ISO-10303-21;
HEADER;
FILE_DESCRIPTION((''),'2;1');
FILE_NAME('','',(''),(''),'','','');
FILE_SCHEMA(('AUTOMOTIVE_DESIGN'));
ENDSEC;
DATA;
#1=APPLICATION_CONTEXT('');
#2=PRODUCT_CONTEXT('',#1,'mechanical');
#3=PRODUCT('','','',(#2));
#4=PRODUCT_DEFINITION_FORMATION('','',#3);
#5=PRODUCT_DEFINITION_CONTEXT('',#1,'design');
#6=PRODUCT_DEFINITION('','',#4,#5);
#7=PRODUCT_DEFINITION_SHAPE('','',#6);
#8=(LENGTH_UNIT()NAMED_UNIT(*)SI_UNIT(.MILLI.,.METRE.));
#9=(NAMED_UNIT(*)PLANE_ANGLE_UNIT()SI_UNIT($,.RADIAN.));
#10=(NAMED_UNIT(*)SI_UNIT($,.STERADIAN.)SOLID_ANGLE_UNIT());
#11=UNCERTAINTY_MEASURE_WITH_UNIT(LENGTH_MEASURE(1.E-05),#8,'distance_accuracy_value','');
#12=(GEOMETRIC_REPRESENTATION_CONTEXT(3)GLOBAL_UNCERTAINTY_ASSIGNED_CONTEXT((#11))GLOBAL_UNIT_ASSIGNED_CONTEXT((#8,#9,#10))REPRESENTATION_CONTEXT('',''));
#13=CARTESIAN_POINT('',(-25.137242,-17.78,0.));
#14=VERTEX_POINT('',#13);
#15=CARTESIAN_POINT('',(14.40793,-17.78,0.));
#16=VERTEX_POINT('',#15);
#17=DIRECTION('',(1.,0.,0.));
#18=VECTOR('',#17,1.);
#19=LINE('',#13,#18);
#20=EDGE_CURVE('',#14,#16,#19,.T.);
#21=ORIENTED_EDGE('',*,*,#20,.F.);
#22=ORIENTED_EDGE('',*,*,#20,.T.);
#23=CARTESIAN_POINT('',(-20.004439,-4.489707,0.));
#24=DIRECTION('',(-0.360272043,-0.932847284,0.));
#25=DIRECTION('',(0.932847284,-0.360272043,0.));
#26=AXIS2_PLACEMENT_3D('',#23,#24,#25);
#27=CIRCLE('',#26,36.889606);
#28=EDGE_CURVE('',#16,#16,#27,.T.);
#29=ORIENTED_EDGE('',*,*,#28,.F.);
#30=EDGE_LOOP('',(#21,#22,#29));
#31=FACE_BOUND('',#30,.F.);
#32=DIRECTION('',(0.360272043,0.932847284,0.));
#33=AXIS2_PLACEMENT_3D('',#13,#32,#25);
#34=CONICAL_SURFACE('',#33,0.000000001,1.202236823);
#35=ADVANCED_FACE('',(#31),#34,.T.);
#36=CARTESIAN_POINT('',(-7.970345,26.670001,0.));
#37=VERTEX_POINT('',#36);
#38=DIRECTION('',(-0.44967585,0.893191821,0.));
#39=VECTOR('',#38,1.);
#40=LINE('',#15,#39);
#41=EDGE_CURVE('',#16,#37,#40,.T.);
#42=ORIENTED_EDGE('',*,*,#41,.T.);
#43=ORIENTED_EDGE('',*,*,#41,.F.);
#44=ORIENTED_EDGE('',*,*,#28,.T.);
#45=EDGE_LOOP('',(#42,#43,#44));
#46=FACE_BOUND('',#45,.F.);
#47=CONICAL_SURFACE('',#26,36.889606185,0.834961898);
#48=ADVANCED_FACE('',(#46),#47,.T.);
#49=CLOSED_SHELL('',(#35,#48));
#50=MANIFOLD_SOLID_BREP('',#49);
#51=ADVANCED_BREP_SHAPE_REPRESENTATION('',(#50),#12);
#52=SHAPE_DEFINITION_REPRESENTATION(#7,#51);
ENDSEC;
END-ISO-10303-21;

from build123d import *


with BuildPart() as f1:
    # F0 (on Top) → F1 (revolve)
    with BuildSketch(Plane.XY):
        Polygon((14.4079299644, -17.7800003439), (-7.9703452066, 26.6700014472), (-25.1372419298, -17.7800003439), align=None)
    revolve(axis=Axis((-16.5537935682, 4.4450005516, 0), (-0.3602720435, -0.9328472837, 0)))


solid = f1.part
